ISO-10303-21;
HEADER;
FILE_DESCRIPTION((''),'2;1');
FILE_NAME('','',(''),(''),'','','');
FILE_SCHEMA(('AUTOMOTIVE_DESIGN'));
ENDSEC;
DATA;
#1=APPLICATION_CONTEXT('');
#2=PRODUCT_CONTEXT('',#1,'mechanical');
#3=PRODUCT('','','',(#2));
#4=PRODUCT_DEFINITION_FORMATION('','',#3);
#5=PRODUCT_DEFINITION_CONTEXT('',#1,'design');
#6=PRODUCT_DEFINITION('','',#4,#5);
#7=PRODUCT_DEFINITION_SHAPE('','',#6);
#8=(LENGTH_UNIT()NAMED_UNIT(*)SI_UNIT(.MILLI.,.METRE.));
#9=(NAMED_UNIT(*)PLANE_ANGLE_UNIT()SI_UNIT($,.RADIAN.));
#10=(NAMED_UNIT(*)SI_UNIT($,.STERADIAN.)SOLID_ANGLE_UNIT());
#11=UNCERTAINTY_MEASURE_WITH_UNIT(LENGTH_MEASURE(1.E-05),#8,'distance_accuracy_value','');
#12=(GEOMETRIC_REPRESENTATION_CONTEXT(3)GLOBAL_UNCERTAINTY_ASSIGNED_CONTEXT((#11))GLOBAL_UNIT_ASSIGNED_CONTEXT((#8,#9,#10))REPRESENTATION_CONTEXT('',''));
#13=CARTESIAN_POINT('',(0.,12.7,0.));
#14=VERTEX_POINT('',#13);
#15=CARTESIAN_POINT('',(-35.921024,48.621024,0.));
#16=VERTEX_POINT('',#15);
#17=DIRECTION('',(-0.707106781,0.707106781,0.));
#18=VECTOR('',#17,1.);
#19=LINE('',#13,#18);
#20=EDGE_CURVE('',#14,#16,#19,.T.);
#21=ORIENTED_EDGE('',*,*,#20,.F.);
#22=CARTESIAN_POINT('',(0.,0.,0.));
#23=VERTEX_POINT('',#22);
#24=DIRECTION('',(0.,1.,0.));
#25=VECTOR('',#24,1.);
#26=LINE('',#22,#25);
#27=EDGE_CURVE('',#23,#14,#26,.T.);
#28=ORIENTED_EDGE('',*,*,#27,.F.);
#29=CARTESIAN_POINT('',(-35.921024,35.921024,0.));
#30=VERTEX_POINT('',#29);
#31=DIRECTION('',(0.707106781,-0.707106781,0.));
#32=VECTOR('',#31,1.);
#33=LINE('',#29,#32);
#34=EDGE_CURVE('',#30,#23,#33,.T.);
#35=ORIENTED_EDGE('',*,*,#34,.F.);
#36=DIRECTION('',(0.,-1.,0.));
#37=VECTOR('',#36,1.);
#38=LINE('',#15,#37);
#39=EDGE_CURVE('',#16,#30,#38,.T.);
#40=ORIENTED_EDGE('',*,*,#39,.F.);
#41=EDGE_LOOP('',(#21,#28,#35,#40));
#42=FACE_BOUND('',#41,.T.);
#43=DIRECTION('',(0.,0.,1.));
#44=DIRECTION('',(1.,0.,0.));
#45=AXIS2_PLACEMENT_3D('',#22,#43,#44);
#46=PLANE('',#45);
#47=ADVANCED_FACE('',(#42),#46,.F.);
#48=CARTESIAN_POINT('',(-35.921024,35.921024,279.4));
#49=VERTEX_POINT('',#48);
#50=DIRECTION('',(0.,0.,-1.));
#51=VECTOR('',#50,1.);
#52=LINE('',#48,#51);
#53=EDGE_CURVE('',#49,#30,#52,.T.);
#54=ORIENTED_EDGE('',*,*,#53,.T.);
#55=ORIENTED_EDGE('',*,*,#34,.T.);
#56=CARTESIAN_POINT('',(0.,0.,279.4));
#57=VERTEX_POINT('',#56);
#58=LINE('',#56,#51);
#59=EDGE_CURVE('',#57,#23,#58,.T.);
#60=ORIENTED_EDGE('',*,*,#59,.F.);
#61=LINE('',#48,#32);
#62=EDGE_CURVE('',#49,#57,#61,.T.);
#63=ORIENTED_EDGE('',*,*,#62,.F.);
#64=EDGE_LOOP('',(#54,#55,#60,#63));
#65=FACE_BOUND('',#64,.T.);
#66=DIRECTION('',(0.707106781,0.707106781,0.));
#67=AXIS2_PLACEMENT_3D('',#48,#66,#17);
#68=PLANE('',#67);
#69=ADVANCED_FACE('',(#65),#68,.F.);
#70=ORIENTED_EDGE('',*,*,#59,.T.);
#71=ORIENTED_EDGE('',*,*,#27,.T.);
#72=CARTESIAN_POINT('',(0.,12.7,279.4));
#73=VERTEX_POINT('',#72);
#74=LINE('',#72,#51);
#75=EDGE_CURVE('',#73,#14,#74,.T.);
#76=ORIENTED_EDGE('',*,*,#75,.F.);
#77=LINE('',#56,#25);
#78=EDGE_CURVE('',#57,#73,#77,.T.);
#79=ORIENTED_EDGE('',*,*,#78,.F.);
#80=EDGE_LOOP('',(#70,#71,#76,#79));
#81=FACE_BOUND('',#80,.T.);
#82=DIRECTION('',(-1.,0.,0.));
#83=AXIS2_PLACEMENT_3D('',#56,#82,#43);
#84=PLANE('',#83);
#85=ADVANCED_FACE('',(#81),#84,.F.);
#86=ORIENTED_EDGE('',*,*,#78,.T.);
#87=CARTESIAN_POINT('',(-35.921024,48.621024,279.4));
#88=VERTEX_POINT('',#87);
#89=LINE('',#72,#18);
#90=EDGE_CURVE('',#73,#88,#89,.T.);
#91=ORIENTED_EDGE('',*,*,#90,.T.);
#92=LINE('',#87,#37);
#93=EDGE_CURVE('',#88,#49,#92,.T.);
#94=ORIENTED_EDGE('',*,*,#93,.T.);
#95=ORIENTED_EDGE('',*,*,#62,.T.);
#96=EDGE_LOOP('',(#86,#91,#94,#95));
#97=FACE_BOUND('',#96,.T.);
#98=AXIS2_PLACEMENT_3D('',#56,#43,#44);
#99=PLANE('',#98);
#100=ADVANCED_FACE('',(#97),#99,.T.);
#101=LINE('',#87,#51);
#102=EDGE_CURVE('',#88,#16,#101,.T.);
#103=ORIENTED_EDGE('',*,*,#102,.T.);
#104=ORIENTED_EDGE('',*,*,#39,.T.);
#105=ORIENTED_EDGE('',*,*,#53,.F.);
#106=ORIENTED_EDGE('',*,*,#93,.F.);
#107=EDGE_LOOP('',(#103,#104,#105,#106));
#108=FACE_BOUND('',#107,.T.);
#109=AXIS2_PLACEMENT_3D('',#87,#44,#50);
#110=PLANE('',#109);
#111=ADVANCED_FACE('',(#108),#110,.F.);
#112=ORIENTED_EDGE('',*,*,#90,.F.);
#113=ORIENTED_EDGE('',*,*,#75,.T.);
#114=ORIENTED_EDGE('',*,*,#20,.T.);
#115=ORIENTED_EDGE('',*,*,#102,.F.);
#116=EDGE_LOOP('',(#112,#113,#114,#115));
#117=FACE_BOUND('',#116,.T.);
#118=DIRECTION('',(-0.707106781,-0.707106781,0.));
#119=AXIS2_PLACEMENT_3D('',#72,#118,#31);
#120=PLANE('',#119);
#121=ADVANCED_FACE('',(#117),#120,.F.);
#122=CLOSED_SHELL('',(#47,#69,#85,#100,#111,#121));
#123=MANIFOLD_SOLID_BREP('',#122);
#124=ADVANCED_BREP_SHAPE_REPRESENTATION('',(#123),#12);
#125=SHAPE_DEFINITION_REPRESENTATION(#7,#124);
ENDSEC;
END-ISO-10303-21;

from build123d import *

# Parameters (mm, degrees)
BOSS_EXTRUDE1_DEPTH = 279.4


with BuildPart() as part:
    # Sketch1 → Boss-Extrude1 (new body)
    with BuildSketch(Plane.XY):
        Polygon((0, 0), (0, 12.7), (-35.921024484, 48.621024484), (-35.921024484, 35.921024484), align=None)
    extrude(amount=BOSS_EXTRUDE1_DEPTH)


solid = part.part
